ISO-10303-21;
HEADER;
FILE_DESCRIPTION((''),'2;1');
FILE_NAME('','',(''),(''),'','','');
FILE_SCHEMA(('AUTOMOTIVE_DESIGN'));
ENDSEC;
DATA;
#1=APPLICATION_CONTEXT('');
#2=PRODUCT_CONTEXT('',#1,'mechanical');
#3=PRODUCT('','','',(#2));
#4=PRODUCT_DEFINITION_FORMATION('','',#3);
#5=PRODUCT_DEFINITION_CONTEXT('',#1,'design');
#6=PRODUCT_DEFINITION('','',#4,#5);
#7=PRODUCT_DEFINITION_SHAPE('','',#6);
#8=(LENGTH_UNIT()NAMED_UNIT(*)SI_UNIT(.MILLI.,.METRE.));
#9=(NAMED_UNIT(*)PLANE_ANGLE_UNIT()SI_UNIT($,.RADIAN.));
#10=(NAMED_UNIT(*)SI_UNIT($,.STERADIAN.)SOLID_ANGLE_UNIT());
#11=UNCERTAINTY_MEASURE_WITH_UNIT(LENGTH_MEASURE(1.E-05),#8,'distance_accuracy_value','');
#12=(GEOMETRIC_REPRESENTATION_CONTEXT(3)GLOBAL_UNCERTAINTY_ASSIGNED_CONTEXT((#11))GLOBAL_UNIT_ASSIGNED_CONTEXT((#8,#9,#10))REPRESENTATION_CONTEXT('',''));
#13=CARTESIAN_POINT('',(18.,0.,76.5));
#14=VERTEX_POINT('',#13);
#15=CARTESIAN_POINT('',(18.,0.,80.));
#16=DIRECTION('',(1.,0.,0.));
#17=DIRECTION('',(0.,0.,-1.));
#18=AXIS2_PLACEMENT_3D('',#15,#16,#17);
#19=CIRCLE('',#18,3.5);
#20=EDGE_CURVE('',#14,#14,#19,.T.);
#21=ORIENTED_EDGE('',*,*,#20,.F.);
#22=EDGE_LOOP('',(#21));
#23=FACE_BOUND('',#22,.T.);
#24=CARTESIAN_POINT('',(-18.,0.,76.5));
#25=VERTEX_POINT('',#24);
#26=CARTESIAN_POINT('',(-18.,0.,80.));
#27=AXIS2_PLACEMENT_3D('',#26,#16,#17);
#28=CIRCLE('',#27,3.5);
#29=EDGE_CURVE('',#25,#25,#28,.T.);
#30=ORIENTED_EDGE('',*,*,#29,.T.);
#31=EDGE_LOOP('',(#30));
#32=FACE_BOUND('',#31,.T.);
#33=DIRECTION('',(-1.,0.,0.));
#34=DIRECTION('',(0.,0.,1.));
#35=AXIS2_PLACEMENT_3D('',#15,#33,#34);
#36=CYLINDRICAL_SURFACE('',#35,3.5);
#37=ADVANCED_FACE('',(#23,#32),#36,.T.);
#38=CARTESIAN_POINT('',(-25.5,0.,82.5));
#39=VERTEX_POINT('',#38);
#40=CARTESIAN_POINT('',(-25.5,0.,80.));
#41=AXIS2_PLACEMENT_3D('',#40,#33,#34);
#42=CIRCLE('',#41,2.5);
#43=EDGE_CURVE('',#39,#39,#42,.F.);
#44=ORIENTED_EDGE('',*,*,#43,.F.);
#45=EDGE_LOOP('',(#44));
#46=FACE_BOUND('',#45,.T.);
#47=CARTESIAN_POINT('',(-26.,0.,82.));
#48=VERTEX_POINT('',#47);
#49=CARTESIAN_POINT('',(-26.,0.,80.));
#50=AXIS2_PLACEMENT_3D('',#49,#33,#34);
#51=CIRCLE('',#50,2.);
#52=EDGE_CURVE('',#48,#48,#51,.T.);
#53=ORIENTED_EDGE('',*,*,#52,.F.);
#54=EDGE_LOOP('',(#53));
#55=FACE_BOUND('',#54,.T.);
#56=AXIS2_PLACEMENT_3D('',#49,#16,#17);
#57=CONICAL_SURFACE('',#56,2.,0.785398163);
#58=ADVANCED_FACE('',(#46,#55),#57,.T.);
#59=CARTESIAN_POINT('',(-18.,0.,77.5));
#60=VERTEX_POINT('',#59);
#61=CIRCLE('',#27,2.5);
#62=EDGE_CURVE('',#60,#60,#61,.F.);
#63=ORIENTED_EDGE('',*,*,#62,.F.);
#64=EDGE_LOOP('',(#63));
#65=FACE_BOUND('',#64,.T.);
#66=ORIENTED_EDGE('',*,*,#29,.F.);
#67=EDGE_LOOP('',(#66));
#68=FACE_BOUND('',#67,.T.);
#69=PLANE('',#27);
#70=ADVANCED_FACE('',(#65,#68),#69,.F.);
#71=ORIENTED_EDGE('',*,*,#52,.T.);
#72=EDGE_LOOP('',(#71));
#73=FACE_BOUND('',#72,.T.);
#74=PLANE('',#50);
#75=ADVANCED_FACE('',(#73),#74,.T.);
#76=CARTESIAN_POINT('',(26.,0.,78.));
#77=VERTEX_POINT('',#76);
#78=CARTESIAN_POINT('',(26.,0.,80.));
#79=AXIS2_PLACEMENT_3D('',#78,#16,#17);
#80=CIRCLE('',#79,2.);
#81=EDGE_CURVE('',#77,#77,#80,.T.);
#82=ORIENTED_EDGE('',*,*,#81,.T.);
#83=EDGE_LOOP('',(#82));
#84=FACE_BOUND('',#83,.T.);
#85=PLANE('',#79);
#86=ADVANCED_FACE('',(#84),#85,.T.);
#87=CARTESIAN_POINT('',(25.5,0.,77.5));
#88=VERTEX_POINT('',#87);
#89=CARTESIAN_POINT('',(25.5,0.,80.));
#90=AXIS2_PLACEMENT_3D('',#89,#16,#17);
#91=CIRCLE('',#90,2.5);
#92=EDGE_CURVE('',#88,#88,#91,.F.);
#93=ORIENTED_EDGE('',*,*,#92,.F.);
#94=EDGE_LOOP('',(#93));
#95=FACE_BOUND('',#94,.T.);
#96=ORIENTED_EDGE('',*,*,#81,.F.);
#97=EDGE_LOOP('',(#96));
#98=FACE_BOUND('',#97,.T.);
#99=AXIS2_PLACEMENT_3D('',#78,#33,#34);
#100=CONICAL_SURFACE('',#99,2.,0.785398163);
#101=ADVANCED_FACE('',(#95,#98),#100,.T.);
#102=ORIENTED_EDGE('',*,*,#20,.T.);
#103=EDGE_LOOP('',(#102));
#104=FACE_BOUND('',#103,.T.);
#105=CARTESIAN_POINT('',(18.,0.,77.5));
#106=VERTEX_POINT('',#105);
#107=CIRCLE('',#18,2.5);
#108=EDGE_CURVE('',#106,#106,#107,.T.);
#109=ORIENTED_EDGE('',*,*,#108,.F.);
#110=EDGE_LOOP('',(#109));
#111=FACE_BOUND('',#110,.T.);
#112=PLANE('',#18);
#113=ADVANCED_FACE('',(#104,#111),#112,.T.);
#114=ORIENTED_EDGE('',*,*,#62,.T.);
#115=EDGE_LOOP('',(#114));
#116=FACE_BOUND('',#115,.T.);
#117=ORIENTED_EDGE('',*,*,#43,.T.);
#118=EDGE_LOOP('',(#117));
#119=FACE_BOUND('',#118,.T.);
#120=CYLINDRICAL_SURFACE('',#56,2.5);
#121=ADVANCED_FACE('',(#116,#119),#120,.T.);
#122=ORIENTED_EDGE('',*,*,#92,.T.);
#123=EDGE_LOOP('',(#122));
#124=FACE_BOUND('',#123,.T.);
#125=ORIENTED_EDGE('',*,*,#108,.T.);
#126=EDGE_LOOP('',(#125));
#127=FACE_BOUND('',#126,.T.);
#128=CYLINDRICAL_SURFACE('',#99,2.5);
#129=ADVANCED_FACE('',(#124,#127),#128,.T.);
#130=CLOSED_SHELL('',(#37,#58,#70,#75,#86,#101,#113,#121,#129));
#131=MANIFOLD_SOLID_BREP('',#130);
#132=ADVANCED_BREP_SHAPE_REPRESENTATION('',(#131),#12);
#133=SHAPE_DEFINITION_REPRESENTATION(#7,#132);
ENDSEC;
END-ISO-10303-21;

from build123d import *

# Parameters (mm, degrees)
SCHIZZO1_R                   = 3.5
ESTRUSIONE_ESTRUSIONE1_DEPTH = 18
SCHIZZO2_R                   = 2.5
ESTRUSIONE_ESTRUSIONE2_DEPTH = 8
ESTRUSIONE_ESTRUSIONE3_START = 8
SCHIZZO3_R                   = 2.5
ESTRUSIONE_ESTRUSIONE3_DEPTH = 8
SMUSSO1_SIZE                 = 0.5


with BuildPart() as part:
    # Schizzo1 → Estrusione-Estrusione1 (new, symmetric)
    with BuildSketch(Plane(origin=(0, 0, 0), x_dir=(0, 0, -1), z_dir=(1, 0, 0))):
        with Locations((-80, 0)):
            Circle(SCHIZZO1_R)
    extrude(amount=ESTRUSIONE_ESTRUSIONE1_DEPTH, both=True)

    # Schizzo2 → Estrusione-Estrusione2 (add)
    with BuildSketch(Plane(origin=(18, 0, 0), x_dir=(0, 0, -1), z_dir=(1, 0, 0))):
        with Locations((-80, 0)):
            Circle(SCHIZZO2_R)
    extrude(amount=ESTRUSIONE_ESTRUSIONE2_DEPTH)

    # Schizzo3 → Estrusione-Estrusione3 (add)
    with BuildSketch(Plane.ZY.offset(18).offset(ESTRUSIONE_ESTRUSIONE3_START)):
        with Locations(Location((80, 0, 0), (0, 0, 180))):
            Circle(SCHIZZO3_R)
    extrude(amount=-ESTRUSIONE_ESTRUSIONE3_DEPTH)

    # Smusso1
    smusso1_edges = [part.edges().sort_by_distance(p)[0] for p in [
        (-26, 0, 82.5),
        (26, 0, 82.5),
    ]]
    chamfer(smusso1_edges, length=SMUSSO1_SIZE)


solid = part.part
